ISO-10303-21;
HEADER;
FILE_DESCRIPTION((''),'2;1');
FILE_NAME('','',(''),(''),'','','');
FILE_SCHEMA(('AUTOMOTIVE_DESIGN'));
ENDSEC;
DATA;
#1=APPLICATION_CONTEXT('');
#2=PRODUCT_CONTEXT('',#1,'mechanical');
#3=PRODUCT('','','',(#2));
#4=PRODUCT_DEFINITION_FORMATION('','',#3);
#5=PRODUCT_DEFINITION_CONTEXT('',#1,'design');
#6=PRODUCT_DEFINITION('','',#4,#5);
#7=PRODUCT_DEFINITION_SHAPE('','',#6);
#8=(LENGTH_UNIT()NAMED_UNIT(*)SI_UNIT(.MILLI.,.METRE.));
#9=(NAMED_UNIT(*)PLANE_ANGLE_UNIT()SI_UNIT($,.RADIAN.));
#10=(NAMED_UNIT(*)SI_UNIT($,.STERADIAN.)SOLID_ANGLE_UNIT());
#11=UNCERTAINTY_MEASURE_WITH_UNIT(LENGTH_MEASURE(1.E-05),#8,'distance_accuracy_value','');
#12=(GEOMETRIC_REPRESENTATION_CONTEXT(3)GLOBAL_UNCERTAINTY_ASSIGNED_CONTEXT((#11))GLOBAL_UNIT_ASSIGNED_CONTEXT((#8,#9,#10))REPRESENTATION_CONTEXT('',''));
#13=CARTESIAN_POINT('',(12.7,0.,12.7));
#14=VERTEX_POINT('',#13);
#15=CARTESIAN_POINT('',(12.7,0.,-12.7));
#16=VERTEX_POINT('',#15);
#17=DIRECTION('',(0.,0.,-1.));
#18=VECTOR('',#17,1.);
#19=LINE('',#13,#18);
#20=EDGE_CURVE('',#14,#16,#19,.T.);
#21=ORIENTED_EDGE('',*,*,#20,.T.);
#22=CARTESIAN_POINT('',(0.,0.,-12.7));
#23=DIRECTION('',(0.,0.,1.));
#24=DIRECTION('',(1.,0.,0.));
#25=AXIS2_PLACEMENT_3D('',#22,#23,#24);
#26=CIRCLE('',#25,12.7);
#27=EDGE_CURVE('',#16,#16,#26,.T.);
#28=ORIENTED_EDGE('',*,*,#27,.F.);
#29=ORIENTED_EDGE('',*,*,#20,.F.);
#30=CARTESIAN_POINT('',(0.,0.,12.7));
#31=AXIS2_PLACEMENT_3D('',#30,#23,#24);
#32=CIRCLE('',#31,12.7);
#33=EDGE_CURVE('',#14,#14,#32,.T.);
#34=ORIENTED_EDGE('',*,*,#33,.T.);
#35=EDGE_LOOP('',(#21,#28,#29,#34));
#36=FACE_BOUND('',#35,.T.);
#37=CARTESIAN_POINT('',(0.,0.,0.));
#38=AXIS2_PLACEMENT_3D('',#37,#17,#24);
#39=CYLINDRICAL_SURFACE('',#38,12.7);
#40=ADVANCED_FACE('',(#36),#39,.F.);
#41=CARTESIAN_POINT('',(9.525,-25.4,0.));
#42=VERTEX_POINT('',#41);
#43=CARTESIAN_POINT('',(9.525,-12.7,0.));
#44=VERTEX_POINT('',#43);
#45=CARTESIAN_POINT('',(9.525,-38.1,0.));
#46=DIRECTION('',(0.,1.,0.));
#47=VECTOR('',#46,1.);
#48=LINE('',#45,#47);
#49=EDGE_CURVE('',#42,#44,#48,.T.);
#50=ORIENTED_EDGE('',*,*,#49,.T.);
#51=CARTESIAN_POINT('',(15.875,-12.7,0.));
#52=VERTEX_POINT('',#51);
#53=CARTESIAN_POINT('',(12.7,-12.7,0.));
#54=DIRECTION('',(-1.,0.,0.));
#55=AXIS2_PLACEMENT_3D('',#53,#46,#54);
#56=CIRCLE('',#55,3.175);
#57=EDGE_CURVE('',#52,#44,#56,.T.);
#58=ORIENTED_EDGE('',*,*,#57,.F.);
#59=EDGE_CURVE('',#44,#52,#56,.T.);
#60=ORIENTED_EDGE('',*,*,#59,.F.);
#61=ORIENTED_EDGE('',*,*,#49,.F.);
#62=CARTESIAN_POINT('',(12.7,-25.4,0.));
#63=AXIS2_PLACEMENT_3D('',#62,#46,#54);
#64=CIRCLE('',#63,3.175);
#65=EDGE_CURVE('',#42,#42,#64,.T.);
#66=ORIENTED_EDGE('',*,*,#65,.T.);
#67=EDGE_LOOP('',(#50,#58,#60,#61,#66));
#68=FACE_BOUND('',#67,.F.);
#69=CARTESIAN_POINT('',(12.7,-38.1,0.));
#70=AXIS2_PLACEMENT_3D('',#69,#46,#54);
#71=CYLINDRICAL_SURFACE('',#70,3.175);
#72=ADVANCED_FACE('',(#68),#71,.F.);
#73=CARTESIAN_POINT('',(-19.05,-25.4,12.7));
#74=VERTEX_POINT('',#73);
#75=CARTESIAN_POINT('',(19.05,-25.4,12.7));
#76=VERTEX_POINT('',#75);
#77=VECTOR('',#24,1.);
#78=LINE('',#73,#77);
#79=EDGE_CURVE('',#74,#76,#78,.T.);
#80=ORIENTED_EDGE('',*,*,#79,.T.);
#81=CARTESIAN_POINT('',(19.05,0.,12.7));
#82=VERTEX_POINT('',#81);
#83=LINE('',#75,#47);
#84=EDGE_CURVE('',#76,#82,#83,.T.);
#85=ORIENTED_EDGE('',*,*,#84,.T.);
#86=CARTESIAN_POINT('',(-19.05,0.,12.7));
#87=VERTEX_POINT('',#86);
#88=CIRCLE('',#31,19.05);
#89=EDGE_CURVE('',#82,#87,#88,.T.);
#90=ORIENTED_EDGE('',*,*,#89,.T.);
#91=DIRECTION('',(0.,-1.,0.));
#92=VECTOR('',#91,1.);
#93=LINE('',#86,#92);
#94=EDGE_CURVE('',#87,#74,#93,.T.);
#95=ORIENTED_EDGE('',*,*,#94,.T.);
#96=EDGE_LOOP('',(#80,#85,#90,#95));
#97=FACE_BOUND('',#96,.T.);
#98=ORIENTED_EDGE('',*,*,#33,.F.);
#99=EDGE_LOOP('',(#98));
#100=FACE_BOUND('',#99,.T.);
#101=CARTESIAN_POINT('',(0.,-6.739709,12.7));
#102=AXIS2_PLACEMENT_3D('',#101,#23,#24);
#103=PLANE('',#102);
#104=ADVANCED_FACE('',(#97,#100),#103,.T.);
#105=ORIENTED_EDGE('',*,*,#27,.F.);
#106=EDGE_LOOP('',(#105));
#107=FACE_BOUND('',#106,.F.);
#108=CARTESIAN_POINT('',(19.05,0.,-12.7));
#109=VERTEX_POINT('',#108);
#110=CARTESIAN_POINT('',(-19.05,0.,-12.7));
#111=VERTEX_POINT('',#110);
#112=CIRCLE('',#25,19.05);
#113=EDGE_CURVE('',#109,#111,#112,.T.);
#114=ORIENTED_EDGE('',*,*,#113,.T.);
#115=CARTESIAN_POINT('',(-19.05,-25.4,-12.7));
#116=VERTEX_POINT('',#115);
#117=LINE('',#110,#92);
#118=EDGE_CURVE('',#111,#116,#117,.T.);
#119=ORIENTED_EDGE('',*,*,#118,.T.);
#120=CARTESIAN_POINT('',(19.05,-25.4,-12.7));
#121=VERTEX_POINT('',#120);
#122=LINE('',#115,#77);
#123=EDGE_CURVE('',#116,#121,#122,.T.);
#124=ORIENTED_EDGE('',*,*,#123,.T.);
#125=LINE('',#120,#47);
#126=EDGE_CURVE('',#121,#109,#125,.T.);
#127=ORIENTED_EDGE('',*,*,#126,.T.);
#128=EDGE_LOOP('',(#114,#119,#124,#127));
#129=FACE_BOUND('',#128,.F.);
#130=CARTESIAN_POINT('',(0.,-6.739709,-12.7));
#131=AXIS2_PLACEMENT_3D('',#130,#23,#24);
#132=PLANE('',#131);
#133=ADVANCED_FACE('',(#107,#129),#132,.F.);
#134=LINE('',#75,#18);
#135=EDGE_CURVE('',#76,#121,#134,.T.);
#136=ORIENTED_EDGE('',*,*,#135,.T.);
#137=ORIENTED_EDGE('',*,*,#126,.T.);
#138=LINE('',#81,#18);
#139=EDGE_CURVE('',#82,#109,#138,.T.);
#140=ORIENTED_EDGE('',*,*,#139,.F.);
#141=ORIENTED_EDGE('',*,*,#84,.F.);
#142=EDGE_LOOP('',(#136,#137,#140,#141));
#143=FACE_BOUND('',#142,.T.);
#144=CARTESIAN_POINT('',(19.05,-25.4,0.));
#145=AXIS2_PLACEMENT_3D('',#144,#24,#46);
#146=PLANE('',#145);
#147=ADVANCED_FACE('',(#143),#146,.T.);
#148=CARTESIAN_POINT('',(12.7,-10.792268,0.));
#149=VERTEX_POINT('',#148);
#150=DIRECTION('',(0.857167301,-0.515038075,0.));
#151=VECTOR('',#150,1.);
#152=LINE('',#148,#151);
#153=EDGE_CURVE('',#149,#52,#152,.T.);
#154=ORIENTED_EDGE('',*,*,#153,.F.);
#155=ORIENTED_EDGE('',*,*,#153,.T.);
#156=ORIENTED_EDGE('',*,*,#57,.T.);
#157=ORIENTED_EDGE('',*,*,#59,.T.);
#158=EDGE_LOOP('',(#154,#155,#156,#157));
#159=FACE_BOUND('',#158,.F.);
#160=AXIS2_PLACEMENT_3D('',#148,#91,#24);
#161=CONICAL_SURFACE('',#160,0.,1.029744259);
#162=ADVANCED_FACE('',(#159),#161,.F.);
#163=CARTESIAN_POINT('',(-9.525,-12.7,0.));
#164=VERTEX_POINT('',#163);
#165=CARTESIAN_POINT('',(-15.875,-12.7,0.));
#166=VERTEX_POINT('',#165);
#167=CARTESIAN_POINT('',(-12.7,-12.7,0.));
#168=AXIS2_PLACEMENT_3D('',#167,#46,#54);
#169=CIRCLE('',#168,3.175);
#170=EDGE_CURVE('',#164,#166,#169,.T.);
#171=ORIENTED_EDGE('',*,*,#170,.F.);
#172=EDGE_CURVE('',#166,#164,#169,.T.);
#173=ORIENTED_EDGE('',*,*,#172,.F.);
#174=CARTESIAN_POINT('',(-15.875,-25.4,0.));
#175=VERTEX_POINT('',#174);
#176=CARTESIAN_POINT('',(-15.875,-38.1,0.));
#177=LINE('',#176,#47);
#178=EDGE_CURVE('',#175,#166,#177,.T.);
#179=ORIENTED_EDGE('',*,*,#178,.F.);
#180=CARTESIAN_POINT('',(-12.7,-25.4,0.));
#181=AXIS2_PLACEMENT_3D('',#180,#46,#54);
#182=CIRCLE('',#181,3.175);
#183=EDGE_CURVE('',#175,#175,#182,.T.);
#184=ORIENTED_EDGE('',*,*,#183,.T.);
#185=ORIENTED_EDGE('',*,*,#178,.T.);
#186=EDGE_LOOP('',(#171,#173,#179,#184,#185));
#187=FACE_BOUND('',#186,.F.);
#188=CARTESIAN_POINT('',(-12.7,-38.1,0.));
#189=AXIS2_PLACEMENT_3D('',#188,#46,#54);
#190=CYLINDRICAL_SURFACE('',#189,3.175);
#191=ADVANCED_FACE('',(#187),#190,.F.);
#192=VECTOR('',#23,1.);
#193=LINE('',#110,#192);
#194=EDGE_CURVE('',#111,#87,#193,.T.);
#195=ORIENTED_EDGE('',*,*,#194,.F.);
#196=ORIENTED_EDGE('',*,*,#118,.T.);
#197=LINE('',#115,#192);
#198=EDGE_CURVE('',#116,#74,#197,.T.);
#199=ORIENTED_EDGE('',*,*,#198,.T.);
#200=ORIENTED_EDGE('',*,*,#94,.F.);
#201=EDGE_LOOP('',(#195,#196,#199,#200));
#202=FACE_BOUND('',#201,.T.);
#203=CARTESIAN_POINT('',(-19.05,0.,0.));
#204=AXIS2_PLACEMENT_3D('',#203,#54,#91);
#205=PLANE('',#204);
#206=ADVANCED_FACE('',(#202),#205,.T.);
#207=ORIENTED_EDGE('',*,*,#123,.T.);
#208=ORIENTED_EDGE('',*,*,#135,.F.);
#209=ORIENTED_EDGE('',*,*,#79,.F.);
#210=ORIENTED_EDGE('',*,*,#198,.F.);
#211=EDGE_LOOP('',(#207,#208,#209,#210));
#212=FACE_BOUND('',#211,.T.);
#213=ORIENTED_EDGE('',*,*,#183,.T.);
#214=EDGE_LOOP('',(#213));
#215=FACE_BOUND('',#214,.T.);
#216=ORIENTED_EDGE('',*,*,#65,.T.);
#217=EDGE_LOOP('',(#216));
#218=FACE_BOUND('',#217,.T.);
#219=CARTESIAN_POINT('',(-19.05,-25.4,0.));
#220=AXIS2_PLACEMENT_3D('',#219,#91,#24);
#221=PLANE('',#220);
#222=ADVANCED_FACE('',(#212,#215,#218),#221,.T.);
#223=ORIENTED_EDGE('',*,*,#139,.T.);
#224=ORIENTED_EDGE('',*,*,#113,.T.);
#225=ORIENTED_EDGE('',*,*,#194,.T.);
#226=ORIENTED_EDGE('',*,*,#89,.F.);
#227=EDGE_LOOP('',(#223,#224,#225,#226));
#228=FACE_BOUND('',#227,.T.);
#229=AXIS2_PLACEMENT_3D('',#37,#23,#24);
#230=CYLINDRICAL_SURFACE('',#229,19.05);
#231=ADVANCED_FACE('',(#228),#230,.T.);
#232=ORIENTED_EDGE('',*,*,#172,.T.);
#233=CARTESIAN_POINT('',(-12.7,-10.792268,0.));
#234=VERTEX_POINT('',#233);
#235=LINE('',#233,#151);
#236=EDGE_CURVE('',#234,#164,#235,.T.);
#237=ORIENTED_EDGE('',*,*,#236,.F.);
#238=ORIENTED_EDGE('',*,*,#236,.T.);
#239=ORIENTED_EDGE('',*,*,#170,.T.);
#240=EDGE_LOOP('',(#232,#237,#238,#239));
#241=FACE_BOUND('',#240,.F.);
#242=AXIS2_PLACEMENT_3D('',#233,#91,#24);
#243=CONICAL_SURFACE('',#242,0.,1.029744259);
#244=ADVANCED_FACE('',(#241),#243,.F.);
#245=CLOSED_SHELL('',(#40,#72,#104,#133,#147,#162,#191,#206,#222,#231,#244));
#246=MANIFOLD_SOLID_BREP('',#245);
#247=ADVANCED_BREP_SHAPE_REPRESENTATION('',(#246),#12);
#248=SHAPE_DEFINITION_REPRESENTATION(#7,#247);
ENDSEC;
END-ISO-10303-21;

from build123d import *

# Parameters (mm, degrees)
F0_R     = 12.7
F1_DEPTH = 12.7
F3_D     = 6.35
F3_DEPTH = 12.7
F3_TIP   = 1.9077324654


with BuildPart() as f1:
    # F0 (on Top) → F1 (new body, symmetric)
    with BuildSketch(Plane.XY):
        with BuildLine():
            ThreePointArc((19.05, 0), (0, 19.05), (-19.05, 0))
            Line((-19.05, 0), (-19.05, -25.4))
            Line((-19.05, -25.4), (19.05, -25.4))
            Line((19.05, -25.4), (19.05, 0))
        make_face()
        Circle(F0_R, mode=Mode.SUBTRACT)
    extrude(amount=F1_DEPTH, both=True)

    # F3
    with Locations(Plane.XZ.offset(25.4)):
        with Locations((-12.7, 0), (12.7, 0)):
            Hole(F3_D / 2, depth=F3_DEPTH)
            with Locations((0, 0, -(F3_DEPTH + F3_TIP / 2))):  # 118° drill point
                Cone(0, F3_D / 2, F3_TIP, mode=Mode.SUBTRACT)


solid = f1.part
